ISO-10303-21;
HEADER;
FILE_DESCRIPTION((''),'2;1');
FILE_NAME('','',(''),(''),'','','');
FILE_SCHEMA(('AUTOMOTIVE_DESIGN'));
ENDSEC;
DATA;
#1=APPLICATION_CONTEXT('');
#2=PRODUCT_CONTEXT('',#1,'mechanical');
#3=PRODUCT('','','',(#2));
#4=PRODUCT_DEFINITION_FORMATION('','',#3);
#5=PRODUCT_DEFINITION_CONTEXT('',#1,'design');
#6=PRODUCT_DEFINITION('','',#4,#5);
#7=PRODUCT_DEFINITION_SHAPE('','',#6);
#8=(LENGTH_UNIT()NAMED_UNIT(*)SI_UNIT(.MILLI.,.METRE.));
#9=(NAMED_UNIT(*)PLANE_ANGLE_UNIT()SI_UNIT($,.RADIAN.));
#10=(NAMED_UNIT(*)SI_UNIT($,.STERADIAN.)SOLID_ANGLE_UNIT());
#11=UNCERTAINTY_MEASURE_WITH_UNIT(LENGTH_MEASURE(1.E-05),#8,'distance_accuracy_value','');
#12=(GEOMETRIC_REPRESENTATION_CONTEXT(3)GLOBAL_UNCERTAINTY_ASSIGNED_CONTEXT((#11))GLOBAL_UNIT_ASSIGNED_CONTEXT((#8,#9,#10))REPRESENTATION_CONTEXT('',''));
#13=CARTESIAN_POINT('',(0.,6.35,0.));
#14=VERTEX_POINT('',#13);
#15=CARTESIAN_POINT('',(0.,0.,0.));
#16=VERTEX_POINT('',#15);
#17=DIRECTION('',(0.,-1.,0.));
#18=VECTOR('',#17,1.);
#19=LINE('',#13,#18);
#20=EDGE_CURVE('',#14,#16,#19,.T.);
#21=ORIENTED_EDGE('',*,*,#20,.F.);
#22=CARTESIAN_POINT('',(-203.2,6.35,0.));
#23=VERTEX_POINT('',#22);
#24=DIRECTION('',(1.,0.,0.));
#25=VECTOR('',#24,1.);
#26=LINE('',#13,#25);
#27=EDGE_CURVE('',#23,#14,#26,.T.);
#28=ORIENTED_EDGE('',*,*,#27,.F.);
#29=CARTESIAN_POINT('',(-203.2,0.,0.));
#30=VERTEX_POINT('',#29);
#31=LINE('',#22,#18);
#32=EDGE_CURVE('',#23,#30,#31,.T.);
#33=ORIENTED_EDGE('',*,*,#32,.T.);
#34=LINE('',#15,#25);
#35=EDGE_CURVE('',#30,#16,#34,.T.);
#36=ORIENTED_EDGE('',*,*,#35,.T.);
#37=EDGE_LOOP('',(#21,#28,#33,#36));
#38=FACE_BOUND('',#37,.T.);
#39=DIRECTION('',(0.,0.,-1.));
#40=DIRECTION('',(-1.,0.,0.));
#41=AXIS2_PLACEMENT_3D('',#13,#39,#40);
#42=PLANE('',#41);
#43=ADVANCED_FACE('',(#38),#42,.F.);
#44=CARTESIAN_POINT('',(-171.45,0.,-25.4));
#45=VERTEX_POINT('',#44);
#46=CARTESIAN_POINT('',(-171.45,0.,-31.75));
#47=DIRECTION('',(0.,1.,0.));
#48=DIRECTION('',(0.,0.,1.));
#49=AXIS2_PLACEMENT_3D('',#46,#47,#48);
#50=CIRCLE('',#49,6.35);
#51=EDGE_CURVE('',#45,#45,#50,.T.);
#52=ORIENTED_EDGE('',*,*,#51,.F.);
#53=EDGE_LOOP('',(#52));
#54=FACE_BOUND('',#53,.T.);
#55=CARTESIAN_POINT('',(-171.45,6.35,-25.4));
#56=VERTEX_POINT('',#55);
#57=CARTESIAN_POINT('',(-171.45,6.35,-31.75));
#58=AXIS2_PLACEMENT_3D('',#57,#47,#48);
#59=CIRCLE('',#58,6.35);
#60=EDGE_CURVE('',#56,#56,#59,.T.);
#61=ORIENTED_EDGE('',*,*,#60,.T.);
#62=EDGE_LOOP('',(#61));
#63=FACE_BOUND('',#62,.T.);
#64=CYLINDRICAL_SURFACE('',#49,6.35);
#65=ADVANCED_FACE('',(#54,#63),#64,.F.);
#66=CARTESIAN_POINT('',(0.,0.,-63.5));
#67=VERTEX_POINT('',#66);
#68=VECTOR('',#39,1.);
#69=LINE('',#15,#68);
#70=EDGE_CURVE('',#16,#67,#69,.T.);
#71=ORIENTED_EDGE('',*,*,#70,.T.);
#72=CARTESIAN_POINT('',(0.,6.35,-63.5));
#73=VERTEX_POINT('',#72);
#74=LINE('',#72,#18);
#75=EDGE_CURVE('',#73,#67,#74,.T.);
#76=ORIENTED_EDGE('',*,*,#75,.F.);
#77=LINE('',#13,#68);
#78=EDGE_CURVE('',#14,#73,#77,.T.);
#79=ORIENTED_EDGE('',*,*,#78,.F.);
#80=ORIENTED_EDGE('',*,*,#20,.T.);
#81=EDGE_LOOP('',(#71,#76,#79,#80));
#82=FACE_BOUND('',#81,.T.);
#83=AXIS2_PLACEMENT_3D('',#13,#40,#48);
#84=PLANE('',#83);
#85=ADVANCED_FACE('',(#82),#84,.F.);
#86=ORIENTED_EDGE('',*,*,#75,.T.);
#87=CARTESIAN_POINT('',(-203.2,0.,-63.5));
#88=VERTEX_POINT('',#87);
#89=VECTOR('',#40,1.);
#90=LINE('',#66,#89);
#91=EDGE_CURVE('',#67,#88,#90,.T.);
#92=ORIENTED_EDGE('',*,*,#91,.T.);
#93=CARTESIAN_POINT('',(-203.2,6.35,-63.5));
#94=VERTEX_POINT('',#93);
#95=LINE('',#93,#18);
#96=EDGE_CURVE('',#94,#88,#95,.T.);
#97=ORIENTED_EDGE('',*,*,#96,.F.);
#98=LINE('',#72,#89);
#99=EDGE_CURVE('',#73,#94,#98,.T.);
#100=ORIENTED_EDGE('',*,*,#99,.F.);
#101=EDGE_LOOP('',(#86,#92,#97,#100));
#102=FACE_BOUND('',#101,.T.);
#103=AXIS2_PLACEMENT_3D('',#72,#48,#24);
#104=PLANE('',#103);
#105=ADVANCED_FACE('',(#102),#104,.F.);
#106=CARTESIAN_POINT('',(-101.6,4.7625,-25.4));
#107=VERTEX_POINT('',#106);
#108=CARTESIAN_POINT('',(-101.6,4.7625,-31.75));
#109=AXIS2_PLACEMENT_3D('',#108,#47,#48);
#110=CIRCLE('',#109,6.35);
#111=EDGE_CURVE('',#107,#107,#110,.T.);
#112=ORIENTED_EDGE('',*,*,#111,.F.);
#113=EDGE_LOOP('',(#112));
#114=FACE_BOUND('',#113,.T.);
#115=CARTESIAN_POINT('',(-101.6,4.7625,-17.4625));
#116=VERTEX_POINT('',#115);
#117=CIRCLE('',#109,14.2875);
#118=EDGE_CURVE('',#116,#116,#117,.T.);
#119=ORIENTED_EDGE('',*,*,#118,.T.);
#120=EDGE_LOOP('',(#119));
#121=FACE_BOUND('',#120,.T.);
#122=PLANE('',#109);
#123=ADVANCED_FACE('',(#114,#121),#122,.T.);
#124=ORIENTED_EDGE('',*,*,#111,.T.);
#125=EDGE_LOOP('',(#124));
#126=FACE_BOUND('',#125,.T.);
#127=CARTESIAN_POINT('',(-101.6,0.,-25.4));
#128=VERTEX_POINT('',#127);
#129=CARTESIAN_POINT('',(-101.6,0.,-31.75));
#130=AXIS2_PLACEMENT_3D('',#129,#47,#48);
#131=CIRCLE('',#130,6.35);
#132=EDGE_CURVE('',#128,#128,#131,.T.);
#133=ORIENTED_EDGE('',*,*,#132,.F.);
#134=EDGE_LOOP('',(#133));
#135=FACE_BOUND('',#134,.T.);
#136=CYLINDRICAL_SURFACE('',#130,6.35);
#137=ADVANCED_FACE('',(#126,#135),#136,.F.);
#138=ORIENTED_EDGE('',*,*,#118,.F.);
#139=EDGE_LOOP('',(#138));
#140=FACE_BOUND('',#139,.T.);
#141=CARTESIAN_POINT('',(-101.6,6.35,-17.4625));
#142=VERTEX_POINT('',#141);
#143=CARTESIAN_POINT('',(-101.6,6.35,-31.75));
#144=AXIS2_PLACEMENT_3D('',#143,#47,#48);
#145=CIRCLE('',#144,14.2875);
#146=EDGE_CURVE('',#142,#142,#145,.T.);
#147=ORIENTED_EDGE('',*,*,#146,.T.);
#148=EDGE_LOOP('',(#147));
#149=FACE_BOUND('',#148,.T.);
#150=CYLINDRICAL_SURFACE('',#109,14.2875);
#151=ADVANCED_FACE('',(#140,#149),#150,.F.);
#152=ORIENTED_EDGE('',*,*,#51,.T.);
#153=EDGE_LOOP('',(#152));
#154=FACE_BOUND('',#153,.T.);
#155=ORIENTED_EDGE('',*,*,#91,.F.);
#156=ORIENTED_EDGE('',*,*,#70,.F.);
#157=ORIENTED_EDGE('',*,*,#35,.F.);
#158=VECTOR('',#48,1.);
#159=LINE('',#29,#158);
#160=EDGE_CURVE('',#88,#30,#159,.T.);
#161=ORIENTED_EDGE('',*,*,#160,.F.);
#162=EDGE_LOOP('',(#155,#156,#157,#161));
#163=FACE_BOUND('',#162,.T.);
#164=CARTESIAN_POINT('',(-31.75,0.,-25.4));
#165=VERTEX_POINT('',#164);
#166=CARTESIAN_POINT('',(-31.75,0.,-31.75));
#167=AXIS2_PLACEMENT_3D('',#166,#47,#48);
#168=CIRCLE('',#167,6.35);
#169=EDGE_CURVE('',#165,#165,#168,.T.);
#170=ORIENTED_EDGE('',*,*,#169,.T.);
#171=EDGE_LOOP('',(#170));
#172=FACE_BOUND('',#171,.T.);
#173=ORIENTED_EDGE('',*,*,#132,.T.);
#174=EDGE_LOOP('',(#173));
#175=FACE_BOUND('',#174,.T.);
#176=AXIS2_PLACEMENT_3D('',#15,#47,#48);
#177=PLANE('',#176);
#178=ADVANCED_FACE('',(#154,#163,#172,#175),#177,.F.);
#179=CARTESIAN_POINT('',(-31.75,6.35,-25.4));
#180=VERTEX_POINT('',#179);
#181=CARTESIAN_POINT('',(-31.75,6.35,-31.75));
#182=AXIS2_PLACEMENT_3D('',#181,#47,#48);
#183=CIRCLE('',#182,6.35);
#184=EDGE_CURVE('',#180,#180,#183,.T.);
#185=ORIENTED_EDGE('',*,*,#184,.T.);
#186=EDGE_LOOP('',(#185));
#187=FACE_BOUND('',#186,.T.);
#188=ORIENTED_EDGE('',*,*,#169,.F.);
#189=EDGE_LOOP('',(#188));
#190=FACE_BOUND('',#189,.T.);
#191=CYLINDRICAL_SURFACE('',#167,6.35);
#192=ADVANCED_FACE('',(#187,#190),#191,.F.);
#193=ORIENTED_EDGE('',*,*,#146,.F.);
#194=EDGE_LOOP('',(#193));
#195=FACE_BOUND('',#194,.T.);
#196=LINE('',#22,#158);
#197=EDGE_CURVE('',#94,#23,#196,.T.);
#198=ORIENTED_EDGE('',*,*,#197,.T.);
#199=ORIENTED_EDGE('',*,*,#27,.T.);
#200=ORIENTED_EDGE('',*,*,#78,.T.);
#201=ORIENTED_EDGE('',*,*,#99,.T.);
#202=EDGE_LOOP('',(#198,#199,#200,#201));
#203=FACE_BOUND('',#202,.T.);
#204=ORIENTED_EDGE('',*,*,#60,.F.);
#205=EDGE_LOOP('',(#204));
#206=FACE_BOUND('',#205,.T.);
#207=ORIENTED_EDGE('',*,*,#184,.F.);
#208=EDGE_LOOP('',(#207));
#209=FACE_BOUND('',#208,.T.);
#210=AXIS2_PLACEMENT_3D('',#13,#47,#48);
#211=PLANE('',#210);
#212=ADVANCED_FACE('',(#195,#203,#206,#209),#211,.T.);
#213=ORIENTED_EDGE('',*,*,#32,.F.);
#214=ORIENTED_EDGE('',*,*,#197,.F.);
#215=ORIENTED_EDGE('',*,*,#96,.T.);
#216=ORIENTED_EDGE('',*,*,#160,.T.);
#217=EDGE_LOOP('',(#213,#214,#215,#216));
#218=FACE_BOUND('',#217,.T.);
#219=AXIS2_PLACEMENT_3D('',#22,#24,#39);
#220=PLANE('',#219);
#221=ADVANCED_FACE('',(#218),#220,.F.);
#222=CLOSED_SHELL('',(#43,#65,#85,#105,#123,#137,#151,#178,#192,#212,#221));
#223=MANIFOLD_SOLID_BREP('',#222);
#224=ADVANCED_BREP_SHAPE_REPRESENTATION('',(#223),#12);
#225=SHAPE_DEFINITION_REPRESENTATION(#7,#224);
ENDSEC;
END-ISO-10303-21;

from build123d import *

# Parameters (mm, degrees)
SKETCH8_W           = 203.2
SKETCH8_H           = 63.5
BOSS_EXTRUDE1_DEPTH = 6.35
SKETCH9_R           = 14.2875
CUT_EXTRUDE2_DEPTH  = 1.5875
SKETCH10_R          = 6.35
CUT_EXTRUDE3_DEPTH  = 5.7625
SKETCH11_R          = 6.35
CUT_EXTRUDE4_DEPTH  = 7.35


with BuildPart() as part:
    # Sketch8 → Boss-Extrude1 (new body)
    with BuildSketch(Plane(origin=(0, 0, 0), x_dir=(1, 0, 0), z_dir=(0, 1, 0))):
        with Locations((-101.6, 31.75)):
            Rectangle(SKETCH8_W, SKETCH8_H)
    extrude(amount=BOSS_EXTRUDE1_DEPTH)

    # Sketch9 → Cut-Extrude2 (cut)
    with BuildSketch(Plane(origin=(0, 6.35, 0), x_dir=(1, 0, 0), z_dir=(0, 1, 0))):
        with Locations((-101.6, 31.75)):
            Circle(SKETCH9_R)
    extrude(amount=-CUT_EXTRUDE2_DEPTH, mode=Mode.SUBTRACT)

    # Sketch10 → Cut-Extrude3 (cut, through all)
    with BuildSketch(Plane(origin=(0, 4.7625, 0), x_dir=(1, 0, 0), z_dir=(0, 1, 0))):
        with Locations((-101.6, 31.75)):
            Circle(SKETCH10_R)
    extrude(amount=-CUT_EXTRUDE3_DEPTH, mode=Mode.SUBTRACT)

    # Sketch11 → Cut-Extrude4 (cut, through all)
    with BuildSketch(Plane(origin=(0, 6.35, 0), x_dir=(1, 0, 0), z_dir=(0, 1, 0))):
        with Locations((-171.45, 31.75)):
            Circle(SKETCH11_R)
        with Locations((-31.75, 31.75)):
            Circle(SKETCH11_R)
    extrude(amount=-CUT_EXTRUDE4_DEPTH, mode=Mode.SUBTRACT)


solid = part.part
